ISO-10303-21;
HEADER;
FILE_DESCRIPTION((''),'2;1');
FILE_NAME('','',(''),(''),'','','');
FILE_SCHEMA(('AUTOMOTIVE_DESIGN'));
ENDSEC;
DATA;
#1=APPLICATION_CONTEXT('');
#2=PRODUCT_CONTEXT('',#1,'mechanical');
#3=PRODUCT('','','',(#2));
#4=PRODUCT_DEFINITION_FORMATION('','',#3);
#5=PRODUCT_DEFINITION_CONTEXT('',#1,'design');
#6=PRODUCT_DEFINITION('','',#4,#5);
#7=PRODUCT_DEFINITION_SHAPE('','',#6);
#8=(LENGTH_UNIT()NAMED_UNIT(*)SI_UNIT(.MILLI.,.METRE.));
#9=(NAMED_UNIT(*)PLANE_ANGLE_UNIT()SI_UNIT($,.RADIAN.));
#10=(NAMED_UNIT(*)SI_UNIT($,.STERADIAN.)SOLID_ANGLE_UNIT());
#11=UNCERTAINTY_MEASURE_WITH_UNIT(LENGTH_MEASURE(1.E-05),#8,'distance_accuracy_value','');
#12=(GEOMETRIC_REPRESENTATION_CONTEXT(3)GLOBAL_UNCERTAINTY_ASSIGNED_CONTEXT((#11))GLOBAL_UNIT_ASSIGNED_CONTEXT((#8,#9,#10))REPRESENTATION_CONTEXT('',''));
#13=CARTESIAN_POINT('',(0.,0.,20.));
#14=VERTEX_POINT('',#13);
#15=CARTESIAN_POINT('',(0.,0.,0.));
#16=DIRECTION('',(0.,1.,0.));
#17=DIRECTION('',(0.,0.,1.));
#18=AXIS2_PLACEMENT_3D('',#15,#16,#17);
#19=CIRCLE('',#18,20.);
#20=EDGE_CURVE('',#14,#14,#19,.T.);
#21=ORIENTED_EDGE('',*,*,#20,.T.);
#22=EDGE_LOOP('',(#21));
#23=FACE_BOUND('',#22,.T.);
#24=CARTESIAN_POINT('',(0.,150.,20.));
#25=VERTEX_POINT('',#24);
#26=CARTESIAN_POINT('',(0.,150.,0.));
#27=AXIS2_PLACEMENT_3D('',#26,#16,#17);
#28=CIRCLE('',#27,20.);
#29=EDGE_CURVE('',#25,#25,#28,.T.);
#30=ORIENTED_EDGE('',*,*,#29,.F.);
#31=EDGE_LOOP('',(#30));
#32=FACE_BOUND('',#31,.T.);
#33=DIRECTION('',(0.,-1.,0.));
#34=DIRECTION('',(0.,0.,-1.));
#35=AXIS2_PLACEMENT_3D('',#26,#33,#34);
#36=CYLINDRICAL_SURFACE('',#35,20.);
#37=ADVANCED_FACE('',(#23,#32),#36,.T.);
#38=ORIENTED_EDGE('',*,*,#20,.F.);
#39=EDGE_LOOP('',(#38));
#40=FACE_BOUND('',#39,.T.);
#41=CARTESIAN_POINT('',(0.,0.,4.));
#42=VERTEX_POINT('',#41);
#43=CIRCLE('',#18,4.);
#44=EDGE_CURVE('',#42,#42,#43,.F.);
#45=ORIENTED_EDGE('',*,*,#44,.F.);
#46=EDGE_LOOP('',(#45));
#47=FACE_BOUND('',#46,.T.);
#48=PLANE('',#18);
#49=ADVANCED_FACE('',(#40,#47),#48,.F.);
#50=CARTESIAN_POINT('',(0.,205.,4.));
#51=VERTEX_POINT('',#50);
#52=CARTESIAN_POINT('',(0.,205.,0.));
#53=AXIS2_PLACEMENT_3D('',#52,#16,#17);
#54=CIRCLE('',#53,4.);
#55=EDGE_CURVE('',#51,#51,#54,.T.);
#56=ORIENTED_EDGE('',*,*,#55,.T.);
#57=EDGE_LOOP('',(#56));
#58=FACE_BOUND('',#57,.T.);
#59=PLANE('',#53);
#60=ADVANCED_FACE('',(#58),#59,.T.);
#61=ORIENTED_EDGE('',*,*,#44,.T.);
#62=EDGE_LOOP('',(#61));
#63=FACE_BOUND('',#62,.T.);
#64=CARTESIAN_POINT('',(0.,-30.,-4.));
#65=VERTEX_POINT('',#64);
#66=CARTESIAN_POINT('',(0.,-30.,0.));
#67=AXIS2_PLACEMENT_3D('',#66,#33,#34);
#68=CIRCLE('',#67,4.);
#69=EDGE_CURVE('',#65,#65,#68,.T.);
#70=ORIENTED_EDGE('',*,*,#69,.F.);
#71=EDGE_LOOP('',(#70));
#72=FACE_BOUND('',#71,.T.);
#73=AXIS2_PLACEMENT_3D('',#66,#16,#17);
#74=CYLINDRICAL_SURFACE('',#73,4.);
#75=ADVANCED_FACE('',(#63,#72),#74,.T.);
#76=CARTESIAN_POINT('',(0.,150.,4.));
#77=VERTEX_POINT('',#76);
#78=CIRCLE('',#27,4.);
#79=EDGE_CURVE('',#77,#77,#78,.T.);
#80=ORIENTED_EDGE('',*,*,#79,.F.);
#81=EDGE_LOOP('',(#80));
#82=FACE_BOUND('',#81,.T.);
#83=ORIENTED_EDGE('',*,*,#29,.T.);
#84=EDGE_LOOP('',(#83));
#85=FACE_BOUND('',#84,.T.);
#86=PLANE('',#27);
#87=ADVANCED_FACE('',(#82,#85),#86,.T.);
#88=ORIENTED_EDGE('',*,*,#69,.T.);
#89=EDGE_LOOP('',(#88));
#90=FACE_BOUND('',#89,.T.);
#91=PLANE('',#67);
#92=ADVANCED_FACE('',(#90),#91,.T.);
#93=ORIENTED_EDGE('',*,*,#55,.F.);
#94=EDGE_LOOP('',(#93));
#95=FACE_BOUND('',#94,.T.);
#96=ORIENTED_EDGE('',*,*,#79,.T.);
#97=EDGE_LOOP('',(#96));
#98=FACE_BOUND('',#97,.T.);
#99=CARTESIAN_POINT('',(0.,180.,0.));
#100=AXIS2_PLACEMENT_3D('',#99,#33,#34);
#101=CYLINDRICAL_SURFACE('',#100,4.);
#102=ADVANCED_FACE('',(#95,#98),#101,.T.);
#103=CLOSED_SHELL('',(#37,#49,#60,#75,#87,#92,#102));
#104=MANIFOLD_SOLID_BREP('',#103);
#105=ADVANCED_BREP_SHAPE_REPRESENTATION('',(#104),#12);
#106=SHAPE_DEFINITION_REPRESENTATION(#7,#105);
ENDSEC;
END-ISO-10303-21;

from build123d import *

# Parameters (mm, degrees)
SKETCH1_R           = 20
BOSS_EXTRUDE1_DEPTH = 150
SKETCH2_R           = 4
BOSS_EXTRUDE2_DEPTH = 30
BOSS_EXTRUDE3_START = -210
SKETCH3_R           = 4
BOSS_EXTRUDE3_DEPTH = 25


with BuildPart() as part:
    # Sketch1 → Boss-Extrude1 (new body)
    with BuildSketch(Plane(origin=(0, 0, 0), x_dir=(1, 0, 0), z_dir=(0, 1, 0))):
        with Locations(Location((0, 0, 0), (0, 0, 270))):
            Circle(SKETCH1_R)
    extrude(amount=BOSS_EXTRUDE1_DEPTH)

    # Sketch2 → Boss-Extrude2 (add)
    with BuildSketch(Plane.XZ):
        with Locations(Location((0, 0, 0), (0, 0, 90))):
            Circle(SKETCH2_R)
    boss_extrude2 = extrude(amount=BOSS_EXTRUDE2_DEPTH)

    # Mirror1: Boss-Extrude2 across plane
    add(boss_extrude2.mirror(Plane(origin=(0, 75, 0), x_dir=(0, 0, 1), z_dir=(0, -1, 0))))

    # Sketch3 → Boss-Extrude3 (add)
    with BuildSketch(Plane.XZ.offset(30).offset(BOSS_EXTRUDE3_START)):
        with Locations(Location((0, 0, 0), (0, 0, 90))):
            Circle(SKETCH3_R)
    extrude(amount=-BOSS_EXTRUDE3_DEPTH)


solid = part.part
